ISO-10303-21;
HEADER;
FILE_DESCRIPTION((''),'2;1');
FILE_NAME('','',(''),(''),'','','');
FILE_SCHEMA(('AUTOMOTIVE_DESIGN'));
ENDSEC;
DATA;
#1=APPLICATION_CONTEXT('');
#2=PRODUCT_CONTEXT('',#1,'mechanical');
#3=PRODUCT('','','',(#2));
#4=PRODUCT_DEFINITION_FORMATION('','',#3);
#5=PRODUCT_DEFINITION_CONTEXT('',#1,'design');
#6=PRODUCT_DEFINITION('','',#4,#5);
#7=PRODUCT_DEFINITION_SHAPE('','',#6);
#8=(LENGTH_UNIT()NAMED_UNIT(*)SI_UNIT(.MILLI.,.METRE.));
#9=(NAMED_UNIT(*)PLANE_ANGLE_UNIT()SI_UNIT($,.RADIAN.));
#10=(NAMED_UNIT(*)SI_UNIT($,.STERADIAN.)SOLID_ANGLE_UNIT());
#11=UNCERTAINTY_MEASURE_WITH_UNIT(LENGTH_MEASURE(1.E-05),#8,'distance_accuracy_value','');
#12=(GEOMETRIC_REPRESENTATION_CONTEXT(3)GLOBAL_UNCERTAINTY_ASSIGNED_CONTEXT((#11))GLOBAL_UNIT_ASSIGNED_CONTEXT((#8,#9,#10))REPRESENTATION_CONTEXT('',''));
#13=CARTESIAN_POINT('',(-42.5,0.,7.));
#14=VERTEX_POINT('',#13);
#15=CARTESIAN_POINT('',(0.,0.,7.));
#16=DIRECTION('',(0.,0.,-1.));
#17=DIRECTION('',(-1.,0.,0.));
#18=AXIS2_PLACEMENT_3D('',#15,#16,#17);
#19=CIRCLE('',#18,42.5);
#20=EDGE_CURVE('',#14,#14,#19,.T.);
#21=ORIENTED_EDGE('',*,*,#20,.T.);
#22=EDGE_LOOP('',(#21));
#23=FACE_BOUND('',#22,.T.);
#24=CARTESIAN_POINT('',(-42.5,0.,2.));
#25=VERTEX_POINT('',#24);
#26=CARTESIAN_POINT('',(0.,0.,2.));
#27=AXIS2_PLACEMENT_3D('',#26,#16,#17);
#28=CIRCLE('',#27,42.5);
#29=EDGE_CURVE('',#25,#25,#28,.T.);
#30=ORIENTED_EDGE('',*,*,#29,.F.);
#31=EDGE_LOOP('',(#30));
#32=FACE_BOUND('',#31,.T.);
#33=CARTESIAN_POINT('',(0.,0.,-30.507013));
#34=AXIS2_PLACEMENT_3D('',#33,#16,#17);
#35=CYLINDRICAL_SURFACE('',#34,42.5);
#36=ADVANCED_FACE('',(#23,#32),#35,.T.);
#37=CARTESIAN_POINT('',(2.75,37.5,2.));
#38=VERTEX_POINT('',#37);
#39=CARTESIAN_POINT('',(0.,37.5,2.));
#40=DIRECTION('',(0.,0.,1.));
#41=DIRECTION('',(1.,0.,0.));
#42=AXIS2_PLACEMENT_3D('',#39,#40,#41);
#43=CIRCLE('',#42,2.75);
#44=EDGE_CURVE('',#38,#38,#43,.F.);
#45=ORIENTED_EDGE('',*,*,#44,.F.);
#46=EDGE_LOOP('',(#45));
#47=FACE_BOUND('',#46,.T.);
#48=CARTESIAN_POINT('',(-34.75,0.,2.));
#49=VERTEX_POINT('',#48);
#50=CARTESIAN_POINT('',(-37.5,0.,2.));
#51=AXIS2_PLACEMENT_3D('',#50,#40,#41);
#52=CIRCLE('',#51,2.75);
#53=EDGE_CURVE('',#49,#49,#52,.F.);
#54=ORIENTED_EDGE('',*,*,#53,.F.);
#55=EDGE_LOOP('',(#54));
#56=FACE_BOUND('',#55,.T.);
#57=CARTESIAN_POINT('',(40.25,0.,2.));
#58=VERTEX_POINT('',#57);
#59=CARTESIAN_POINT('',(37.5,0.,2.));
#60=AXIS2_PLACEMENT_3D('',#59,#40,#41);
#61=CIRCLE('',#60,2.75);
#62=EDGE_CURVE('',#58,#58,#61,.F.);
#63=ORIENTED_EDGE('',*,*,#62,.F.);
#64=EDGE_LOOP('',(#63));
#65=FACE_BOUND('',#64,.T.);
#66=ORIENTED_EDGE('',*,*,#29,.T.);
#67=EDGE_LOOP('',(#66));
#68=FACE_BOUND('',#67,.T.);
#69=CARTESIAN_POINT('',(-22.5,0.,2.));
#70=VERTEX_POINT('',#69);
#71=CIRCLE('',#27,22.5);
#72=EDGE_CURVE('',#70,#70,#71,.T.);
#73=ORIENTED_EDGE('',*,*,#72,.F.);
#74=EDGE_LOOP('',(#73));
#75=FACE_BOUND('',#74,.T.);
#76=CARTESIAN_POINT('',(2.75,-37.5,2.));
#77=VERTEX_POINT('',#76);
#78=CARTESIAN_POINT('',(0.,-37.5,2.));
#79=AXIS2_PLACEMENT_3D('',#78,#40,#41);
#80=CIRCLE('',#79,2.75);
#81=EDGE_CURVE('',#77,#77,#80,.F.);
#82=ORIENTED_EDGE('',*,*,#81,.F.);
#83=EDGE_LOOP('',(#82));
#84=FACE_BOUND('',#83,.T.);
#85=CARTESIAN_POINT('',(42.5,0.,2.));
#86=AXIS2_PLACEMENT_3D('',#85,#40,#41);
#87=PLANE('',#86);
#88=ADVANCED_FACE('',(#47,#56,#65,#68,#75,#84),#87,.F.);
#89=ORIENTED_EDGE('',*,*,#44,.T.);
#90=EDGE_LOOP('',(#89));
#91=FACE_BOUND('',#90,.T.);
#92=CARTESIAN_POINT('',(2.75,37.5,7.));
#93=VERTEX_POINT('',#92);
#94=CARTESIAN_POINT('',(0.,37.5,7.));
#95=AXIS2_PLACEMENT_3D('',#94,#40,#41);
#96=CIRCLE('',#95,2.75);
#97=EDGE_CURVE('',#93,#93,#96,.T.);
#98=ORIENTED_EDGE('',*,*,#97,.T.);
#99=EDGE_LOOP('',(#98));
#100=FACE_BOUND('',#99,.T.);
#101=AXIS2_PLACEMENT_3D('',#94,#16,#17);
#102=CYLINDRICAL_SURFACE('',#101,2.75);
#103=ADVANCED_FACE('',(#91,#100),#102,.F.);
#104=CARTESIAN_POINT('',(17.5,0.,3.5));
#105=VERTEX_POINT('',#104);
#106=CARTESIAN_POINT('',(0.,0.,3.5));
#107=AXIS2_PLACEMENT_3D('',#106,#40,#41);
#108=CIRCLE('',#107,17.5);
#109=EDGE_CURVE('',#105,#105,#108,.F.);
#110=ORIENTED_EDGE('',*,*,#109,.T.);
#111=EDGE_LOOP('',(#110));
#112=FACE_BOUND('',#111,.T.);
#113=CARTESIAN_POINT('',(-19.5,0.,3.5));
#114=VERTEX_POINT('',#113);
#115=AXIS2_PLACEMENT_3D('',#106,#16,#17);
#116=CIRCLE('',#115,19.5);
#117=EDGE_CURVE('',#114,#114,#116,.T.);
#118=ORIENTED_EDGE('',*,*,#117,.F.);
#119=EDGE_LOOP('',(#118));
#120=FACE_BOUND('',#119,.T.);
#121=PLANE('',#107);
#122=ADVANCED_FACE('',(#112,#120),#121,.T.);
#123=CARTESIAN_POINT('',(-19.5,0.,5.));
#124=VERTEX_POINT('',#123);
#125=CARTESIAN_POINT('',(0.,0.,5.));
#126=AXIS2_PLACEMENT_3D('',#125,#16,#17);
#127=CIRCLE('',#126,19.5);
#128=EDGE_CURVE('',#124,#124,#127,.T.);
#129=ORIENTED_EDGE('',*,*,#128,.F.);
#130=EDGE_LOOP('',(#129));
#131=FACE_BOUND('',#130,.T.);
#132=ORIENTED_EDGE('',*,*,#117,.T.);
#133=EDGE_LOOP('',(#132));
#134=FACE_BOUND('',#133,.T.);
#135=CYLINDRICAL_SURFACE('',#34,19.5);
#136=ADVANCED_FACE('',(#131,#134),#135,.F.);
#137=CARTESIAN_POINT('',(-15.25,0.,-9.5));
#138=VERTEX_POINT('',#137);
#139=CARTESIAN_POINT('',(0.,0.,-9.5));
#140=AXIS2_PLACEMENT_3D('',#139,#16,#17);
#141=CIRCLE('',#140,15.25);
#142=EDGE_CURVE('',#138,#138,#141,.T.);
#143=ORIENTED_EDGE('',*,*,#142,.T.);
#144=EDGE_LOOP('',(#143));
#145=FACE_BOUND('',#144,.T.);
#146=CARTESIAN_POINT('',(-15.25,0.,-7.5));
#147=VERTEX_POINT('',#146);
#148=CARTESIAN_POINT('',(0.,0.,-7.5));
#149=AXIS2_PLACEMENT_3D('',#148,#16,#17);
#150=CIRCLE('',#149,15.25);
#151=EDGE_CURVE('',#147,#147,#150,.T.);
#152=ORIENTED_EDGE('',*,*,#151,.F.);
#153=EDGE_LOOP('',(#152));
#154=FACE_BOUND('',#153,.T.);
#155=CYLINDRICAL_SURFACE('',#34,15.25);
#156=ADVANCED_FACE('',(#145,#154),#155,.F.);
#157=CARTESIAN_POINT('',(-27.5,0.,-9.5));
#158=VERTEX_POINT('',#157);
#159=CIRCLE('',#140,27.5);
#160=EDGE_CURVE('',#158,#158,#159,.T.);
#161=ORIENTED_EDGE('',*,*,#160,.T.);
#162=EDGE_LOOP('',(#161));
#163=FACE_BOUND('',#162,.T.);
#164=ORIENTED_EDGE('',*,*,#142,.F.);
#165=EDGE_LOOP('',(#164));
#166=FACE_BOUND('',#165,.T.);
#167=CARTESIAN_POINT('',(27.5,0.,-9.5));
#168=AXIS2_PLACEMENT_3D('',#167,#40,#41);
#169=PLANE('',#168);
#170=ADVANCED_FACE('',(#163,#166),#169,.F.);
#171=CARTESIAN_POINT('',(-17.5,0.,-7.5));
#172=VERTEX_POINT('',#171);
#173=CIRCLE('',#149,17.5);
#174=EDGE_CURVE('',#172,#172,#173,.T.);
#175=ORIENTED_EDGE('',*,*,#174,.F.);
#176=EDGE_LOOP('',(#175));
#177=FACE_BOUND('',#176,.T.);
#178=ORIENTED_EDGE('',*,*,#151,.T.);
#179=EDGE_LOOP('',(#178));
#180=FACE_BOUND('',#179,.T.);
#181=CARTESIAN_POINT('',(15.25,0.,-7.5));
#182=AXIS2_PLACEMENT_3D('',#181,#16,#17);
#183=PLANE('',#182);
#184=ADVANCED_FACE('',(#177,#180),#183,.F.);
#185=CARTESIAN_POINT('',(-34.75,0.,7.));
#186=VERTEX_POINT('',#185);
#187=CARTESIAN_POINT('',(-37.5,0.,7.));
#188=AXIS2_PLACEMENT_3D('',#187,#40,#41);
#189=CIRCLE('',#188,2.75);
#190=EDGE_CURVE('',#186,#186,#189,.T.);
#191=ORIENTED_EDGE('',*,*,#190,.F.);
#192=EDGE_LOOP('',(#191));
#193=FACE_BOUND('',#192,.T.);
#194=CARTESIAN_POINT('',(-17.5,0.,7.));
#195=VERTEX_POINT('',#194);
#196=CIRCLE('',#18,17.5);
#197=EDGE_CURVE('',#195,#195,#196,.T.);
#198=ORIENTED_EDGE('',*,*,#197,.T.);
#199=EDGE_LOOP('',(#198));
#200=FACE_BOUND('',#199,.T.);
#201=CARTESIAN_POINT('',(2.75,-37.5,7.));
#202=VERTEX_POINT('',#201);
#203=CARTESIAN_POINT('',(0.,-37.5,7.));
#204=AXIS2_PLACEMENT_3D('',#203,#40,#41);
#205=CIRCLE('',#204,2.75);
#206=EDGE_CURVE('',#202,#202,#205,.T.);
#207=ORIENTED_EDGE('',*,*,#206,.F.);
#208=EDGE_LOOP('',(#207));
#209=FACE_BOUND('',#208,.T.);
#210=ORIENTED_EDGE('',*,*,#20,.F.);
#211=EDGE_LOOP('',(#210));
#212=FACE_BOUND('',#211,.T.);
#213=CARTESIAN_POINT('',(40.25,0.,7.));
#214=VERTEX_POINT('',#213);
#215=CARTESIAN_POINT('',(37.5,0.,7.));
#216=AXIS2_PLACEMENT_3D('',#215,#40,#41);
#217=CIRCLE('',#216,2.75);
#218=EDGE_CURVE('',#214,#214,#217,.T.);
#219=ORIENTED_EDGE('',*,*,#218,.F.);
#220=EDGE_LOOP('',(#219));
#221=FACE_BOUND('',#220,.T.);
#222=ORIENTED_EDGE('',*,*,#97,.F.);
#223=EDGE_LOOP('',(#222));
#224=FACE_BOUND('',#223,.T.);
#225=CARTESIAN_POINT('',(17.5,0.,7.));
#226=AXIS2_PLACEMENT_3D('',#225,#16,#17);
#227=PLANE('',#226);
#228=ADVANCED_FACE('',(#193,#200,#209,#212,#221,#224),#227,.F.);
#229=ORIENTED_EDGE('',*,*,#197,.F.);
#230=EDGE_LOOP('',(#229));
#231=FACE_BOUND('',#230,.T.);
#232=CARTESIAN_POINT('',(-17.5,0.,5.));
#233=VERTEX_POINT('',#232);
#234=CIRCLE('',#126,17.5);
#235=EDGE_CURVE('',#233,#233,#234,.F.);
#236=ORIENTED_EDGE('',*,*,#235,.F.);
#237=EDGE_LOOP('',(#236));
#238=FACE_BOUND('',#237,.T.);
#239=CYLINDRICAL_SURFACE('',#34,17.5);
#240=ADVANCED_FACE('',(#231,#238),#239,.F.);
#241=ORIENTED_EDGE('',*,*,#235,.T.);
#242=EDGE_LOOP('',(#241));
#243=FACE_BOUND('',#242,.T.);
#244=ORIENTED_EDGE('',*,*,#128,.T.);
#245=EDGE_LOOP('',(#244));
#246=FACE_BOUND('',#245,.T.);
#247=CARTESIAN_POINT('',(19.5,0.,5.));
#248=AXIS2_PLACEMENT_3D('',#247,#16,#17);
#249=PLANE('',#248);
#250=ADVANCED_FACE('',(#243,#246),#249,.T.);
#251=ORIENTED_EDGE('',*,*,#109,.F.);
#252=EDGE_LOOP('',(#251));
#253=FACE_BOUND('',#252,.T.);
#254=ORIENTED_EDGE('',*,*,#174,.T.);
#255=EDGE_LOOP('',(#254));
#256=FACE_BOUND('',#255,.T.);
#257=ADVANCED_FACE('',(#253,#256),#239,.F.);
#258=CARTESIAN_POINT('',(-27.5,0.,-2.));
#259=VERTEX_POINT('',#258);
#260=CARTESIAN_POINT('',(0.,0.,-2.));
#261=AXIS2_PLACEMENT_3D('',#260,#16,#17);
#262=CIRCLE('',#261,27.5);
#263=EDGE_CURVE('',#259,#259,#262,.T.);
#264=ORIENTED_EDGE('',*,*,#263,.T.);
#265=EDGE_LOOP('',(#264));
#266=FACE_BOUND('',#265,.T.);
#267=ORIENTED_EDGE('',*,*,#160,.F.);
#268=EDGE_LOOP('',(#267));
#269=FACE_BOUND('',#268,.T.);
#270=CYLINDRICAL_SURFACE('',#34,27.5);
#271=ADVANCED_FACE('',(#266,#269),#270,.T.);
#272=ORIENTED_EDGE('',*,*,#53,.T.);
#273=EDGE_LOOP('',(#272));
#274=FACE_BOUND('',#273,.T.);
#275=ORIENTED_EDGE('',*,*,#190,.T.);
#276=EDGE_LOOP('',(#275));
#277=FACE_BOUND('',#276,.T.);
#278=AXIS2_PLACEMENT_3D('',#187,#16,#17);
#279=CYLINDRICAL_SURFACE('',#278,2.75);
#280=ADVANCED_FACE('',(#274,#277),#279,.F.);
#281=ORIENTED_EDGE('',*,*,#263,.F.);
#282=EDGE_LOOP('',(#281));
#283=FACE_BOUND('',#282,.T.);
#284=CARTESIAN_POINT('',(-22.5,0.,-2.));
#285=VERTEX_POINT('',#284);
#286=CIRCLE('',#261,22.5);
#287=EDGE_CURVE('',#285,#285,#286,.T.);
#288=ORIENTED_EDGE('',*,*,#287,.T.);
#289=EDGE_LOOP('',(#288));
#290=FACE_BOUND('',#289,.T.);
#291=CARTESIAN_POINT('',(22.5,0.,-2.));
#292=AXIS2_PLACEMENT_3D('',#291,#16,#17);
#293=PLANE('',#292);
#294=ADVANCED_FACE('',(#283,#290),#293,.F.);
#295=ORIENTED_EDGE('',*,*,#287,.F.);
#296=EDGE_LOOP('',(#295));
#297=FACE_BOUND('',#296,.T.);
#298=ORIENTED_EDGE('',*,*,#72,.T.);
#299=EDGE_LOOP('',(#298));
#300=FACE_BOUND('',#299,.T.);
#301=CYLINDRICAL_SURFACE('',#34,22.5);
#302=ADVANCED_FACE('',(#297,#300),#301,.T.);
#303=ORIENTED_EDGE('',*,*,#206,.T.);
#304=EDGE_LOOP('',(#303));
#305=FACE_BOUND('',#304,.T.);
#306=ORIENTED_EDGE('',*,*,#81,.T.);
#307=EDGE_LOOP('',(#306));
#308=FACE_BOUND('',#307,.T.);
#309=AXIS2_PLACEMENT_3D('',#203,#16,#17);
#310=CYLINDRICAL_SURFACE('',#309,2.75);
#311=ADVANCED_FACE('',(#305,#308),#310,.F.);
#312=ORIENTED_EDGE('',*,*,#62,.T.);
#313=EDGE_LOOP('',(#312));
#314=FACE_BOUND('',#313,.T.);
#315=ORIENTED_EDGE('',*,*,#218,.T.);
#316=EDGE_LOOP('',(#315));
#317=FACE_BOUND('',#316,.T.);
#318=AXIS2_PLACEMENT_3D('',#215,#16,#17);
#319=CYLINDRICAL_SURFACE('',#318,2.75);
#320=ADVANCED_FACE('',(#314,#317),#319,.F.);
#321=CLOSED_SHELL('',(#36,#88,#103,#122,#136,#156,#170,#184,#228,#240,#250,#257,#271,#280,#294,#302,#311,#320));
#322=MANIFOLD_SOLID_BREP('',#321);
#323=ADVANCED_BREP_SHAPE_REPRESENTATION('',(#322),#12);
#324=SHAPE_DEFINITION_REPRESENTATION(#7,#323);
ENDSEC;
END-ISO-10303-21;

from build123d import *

# Parameters (mm, degrees)
SKETCH3_R          = 2.75
CUT_EXTRUDE2_DEPTH = 61.850225965
SKETCH4_W          = 19.5
SKETCH4_H          = 1.5


with BuildPart() as part:
    # Sketch2 → Revolve1 (revolve)
    with BuildSketch(Plane(origin=(0, 0, 0), x_dir=(1, 0, 0), z_dir=(0, 1, 0)), mode=Mode.PRIVATE) as revolve1_sk:
        Polygon((17.5, -7), (42.5, -7), (42.5, -2), (22.5, -2), (22.5, 2), (27.5, 2), (27.5, 9.5), (15.25, 9.5), (15.25, 7.5), (17.5, 7.5), align=None)
    revolve(revolve1_sk.sketch.rotate(Axis((0, 0, -30.507012698), (0, 0, 1)), 180), axis=Axis((0, 0, -30.507012698), (0, 0, 1)))

    # Sketch3 → Cut-Extrude2 (cut, through all)
    with BuildSketch(Plane.XY):
        with Locations((0, 37.5)):
            Circle(SKETCH3_R)
        with Locations((37.5, 0)):
            Circle(SKETCH3_R)
        with Locations((0, -37.5)):
            Circle(SKETCH3_R)
        with Locations((-37.5, 0)):
            Circle(SKETCH3_R)
    extrude(amount=CUT_EXTRUDE2_DEPTH, mode=Mode.SUBTRACT)

    # Sketch4 → Cut-Revolve1 (revolve, cut)
    with BuildSketch(Plane(origin=(0, 0, 0), x_dir=(1, 0, 0), z_dir=(0, 1, 0)), mode=Mode.PRIVATE) as cut_revolve1_sk:
        with Locations((9.75, -4.25)):
            Rectangle(SKETCH4_W, SKETCH4_H)
    revolve(cut_revolve1_sk.sketch.rotate(Axis((0, 0, -30.507012698), (0, 0, 1)), 180), axis=Axis((0, 0, -30.507012698), (0, 0, 1)), mode=Mode.SUBTRACT)


solid = part.part
